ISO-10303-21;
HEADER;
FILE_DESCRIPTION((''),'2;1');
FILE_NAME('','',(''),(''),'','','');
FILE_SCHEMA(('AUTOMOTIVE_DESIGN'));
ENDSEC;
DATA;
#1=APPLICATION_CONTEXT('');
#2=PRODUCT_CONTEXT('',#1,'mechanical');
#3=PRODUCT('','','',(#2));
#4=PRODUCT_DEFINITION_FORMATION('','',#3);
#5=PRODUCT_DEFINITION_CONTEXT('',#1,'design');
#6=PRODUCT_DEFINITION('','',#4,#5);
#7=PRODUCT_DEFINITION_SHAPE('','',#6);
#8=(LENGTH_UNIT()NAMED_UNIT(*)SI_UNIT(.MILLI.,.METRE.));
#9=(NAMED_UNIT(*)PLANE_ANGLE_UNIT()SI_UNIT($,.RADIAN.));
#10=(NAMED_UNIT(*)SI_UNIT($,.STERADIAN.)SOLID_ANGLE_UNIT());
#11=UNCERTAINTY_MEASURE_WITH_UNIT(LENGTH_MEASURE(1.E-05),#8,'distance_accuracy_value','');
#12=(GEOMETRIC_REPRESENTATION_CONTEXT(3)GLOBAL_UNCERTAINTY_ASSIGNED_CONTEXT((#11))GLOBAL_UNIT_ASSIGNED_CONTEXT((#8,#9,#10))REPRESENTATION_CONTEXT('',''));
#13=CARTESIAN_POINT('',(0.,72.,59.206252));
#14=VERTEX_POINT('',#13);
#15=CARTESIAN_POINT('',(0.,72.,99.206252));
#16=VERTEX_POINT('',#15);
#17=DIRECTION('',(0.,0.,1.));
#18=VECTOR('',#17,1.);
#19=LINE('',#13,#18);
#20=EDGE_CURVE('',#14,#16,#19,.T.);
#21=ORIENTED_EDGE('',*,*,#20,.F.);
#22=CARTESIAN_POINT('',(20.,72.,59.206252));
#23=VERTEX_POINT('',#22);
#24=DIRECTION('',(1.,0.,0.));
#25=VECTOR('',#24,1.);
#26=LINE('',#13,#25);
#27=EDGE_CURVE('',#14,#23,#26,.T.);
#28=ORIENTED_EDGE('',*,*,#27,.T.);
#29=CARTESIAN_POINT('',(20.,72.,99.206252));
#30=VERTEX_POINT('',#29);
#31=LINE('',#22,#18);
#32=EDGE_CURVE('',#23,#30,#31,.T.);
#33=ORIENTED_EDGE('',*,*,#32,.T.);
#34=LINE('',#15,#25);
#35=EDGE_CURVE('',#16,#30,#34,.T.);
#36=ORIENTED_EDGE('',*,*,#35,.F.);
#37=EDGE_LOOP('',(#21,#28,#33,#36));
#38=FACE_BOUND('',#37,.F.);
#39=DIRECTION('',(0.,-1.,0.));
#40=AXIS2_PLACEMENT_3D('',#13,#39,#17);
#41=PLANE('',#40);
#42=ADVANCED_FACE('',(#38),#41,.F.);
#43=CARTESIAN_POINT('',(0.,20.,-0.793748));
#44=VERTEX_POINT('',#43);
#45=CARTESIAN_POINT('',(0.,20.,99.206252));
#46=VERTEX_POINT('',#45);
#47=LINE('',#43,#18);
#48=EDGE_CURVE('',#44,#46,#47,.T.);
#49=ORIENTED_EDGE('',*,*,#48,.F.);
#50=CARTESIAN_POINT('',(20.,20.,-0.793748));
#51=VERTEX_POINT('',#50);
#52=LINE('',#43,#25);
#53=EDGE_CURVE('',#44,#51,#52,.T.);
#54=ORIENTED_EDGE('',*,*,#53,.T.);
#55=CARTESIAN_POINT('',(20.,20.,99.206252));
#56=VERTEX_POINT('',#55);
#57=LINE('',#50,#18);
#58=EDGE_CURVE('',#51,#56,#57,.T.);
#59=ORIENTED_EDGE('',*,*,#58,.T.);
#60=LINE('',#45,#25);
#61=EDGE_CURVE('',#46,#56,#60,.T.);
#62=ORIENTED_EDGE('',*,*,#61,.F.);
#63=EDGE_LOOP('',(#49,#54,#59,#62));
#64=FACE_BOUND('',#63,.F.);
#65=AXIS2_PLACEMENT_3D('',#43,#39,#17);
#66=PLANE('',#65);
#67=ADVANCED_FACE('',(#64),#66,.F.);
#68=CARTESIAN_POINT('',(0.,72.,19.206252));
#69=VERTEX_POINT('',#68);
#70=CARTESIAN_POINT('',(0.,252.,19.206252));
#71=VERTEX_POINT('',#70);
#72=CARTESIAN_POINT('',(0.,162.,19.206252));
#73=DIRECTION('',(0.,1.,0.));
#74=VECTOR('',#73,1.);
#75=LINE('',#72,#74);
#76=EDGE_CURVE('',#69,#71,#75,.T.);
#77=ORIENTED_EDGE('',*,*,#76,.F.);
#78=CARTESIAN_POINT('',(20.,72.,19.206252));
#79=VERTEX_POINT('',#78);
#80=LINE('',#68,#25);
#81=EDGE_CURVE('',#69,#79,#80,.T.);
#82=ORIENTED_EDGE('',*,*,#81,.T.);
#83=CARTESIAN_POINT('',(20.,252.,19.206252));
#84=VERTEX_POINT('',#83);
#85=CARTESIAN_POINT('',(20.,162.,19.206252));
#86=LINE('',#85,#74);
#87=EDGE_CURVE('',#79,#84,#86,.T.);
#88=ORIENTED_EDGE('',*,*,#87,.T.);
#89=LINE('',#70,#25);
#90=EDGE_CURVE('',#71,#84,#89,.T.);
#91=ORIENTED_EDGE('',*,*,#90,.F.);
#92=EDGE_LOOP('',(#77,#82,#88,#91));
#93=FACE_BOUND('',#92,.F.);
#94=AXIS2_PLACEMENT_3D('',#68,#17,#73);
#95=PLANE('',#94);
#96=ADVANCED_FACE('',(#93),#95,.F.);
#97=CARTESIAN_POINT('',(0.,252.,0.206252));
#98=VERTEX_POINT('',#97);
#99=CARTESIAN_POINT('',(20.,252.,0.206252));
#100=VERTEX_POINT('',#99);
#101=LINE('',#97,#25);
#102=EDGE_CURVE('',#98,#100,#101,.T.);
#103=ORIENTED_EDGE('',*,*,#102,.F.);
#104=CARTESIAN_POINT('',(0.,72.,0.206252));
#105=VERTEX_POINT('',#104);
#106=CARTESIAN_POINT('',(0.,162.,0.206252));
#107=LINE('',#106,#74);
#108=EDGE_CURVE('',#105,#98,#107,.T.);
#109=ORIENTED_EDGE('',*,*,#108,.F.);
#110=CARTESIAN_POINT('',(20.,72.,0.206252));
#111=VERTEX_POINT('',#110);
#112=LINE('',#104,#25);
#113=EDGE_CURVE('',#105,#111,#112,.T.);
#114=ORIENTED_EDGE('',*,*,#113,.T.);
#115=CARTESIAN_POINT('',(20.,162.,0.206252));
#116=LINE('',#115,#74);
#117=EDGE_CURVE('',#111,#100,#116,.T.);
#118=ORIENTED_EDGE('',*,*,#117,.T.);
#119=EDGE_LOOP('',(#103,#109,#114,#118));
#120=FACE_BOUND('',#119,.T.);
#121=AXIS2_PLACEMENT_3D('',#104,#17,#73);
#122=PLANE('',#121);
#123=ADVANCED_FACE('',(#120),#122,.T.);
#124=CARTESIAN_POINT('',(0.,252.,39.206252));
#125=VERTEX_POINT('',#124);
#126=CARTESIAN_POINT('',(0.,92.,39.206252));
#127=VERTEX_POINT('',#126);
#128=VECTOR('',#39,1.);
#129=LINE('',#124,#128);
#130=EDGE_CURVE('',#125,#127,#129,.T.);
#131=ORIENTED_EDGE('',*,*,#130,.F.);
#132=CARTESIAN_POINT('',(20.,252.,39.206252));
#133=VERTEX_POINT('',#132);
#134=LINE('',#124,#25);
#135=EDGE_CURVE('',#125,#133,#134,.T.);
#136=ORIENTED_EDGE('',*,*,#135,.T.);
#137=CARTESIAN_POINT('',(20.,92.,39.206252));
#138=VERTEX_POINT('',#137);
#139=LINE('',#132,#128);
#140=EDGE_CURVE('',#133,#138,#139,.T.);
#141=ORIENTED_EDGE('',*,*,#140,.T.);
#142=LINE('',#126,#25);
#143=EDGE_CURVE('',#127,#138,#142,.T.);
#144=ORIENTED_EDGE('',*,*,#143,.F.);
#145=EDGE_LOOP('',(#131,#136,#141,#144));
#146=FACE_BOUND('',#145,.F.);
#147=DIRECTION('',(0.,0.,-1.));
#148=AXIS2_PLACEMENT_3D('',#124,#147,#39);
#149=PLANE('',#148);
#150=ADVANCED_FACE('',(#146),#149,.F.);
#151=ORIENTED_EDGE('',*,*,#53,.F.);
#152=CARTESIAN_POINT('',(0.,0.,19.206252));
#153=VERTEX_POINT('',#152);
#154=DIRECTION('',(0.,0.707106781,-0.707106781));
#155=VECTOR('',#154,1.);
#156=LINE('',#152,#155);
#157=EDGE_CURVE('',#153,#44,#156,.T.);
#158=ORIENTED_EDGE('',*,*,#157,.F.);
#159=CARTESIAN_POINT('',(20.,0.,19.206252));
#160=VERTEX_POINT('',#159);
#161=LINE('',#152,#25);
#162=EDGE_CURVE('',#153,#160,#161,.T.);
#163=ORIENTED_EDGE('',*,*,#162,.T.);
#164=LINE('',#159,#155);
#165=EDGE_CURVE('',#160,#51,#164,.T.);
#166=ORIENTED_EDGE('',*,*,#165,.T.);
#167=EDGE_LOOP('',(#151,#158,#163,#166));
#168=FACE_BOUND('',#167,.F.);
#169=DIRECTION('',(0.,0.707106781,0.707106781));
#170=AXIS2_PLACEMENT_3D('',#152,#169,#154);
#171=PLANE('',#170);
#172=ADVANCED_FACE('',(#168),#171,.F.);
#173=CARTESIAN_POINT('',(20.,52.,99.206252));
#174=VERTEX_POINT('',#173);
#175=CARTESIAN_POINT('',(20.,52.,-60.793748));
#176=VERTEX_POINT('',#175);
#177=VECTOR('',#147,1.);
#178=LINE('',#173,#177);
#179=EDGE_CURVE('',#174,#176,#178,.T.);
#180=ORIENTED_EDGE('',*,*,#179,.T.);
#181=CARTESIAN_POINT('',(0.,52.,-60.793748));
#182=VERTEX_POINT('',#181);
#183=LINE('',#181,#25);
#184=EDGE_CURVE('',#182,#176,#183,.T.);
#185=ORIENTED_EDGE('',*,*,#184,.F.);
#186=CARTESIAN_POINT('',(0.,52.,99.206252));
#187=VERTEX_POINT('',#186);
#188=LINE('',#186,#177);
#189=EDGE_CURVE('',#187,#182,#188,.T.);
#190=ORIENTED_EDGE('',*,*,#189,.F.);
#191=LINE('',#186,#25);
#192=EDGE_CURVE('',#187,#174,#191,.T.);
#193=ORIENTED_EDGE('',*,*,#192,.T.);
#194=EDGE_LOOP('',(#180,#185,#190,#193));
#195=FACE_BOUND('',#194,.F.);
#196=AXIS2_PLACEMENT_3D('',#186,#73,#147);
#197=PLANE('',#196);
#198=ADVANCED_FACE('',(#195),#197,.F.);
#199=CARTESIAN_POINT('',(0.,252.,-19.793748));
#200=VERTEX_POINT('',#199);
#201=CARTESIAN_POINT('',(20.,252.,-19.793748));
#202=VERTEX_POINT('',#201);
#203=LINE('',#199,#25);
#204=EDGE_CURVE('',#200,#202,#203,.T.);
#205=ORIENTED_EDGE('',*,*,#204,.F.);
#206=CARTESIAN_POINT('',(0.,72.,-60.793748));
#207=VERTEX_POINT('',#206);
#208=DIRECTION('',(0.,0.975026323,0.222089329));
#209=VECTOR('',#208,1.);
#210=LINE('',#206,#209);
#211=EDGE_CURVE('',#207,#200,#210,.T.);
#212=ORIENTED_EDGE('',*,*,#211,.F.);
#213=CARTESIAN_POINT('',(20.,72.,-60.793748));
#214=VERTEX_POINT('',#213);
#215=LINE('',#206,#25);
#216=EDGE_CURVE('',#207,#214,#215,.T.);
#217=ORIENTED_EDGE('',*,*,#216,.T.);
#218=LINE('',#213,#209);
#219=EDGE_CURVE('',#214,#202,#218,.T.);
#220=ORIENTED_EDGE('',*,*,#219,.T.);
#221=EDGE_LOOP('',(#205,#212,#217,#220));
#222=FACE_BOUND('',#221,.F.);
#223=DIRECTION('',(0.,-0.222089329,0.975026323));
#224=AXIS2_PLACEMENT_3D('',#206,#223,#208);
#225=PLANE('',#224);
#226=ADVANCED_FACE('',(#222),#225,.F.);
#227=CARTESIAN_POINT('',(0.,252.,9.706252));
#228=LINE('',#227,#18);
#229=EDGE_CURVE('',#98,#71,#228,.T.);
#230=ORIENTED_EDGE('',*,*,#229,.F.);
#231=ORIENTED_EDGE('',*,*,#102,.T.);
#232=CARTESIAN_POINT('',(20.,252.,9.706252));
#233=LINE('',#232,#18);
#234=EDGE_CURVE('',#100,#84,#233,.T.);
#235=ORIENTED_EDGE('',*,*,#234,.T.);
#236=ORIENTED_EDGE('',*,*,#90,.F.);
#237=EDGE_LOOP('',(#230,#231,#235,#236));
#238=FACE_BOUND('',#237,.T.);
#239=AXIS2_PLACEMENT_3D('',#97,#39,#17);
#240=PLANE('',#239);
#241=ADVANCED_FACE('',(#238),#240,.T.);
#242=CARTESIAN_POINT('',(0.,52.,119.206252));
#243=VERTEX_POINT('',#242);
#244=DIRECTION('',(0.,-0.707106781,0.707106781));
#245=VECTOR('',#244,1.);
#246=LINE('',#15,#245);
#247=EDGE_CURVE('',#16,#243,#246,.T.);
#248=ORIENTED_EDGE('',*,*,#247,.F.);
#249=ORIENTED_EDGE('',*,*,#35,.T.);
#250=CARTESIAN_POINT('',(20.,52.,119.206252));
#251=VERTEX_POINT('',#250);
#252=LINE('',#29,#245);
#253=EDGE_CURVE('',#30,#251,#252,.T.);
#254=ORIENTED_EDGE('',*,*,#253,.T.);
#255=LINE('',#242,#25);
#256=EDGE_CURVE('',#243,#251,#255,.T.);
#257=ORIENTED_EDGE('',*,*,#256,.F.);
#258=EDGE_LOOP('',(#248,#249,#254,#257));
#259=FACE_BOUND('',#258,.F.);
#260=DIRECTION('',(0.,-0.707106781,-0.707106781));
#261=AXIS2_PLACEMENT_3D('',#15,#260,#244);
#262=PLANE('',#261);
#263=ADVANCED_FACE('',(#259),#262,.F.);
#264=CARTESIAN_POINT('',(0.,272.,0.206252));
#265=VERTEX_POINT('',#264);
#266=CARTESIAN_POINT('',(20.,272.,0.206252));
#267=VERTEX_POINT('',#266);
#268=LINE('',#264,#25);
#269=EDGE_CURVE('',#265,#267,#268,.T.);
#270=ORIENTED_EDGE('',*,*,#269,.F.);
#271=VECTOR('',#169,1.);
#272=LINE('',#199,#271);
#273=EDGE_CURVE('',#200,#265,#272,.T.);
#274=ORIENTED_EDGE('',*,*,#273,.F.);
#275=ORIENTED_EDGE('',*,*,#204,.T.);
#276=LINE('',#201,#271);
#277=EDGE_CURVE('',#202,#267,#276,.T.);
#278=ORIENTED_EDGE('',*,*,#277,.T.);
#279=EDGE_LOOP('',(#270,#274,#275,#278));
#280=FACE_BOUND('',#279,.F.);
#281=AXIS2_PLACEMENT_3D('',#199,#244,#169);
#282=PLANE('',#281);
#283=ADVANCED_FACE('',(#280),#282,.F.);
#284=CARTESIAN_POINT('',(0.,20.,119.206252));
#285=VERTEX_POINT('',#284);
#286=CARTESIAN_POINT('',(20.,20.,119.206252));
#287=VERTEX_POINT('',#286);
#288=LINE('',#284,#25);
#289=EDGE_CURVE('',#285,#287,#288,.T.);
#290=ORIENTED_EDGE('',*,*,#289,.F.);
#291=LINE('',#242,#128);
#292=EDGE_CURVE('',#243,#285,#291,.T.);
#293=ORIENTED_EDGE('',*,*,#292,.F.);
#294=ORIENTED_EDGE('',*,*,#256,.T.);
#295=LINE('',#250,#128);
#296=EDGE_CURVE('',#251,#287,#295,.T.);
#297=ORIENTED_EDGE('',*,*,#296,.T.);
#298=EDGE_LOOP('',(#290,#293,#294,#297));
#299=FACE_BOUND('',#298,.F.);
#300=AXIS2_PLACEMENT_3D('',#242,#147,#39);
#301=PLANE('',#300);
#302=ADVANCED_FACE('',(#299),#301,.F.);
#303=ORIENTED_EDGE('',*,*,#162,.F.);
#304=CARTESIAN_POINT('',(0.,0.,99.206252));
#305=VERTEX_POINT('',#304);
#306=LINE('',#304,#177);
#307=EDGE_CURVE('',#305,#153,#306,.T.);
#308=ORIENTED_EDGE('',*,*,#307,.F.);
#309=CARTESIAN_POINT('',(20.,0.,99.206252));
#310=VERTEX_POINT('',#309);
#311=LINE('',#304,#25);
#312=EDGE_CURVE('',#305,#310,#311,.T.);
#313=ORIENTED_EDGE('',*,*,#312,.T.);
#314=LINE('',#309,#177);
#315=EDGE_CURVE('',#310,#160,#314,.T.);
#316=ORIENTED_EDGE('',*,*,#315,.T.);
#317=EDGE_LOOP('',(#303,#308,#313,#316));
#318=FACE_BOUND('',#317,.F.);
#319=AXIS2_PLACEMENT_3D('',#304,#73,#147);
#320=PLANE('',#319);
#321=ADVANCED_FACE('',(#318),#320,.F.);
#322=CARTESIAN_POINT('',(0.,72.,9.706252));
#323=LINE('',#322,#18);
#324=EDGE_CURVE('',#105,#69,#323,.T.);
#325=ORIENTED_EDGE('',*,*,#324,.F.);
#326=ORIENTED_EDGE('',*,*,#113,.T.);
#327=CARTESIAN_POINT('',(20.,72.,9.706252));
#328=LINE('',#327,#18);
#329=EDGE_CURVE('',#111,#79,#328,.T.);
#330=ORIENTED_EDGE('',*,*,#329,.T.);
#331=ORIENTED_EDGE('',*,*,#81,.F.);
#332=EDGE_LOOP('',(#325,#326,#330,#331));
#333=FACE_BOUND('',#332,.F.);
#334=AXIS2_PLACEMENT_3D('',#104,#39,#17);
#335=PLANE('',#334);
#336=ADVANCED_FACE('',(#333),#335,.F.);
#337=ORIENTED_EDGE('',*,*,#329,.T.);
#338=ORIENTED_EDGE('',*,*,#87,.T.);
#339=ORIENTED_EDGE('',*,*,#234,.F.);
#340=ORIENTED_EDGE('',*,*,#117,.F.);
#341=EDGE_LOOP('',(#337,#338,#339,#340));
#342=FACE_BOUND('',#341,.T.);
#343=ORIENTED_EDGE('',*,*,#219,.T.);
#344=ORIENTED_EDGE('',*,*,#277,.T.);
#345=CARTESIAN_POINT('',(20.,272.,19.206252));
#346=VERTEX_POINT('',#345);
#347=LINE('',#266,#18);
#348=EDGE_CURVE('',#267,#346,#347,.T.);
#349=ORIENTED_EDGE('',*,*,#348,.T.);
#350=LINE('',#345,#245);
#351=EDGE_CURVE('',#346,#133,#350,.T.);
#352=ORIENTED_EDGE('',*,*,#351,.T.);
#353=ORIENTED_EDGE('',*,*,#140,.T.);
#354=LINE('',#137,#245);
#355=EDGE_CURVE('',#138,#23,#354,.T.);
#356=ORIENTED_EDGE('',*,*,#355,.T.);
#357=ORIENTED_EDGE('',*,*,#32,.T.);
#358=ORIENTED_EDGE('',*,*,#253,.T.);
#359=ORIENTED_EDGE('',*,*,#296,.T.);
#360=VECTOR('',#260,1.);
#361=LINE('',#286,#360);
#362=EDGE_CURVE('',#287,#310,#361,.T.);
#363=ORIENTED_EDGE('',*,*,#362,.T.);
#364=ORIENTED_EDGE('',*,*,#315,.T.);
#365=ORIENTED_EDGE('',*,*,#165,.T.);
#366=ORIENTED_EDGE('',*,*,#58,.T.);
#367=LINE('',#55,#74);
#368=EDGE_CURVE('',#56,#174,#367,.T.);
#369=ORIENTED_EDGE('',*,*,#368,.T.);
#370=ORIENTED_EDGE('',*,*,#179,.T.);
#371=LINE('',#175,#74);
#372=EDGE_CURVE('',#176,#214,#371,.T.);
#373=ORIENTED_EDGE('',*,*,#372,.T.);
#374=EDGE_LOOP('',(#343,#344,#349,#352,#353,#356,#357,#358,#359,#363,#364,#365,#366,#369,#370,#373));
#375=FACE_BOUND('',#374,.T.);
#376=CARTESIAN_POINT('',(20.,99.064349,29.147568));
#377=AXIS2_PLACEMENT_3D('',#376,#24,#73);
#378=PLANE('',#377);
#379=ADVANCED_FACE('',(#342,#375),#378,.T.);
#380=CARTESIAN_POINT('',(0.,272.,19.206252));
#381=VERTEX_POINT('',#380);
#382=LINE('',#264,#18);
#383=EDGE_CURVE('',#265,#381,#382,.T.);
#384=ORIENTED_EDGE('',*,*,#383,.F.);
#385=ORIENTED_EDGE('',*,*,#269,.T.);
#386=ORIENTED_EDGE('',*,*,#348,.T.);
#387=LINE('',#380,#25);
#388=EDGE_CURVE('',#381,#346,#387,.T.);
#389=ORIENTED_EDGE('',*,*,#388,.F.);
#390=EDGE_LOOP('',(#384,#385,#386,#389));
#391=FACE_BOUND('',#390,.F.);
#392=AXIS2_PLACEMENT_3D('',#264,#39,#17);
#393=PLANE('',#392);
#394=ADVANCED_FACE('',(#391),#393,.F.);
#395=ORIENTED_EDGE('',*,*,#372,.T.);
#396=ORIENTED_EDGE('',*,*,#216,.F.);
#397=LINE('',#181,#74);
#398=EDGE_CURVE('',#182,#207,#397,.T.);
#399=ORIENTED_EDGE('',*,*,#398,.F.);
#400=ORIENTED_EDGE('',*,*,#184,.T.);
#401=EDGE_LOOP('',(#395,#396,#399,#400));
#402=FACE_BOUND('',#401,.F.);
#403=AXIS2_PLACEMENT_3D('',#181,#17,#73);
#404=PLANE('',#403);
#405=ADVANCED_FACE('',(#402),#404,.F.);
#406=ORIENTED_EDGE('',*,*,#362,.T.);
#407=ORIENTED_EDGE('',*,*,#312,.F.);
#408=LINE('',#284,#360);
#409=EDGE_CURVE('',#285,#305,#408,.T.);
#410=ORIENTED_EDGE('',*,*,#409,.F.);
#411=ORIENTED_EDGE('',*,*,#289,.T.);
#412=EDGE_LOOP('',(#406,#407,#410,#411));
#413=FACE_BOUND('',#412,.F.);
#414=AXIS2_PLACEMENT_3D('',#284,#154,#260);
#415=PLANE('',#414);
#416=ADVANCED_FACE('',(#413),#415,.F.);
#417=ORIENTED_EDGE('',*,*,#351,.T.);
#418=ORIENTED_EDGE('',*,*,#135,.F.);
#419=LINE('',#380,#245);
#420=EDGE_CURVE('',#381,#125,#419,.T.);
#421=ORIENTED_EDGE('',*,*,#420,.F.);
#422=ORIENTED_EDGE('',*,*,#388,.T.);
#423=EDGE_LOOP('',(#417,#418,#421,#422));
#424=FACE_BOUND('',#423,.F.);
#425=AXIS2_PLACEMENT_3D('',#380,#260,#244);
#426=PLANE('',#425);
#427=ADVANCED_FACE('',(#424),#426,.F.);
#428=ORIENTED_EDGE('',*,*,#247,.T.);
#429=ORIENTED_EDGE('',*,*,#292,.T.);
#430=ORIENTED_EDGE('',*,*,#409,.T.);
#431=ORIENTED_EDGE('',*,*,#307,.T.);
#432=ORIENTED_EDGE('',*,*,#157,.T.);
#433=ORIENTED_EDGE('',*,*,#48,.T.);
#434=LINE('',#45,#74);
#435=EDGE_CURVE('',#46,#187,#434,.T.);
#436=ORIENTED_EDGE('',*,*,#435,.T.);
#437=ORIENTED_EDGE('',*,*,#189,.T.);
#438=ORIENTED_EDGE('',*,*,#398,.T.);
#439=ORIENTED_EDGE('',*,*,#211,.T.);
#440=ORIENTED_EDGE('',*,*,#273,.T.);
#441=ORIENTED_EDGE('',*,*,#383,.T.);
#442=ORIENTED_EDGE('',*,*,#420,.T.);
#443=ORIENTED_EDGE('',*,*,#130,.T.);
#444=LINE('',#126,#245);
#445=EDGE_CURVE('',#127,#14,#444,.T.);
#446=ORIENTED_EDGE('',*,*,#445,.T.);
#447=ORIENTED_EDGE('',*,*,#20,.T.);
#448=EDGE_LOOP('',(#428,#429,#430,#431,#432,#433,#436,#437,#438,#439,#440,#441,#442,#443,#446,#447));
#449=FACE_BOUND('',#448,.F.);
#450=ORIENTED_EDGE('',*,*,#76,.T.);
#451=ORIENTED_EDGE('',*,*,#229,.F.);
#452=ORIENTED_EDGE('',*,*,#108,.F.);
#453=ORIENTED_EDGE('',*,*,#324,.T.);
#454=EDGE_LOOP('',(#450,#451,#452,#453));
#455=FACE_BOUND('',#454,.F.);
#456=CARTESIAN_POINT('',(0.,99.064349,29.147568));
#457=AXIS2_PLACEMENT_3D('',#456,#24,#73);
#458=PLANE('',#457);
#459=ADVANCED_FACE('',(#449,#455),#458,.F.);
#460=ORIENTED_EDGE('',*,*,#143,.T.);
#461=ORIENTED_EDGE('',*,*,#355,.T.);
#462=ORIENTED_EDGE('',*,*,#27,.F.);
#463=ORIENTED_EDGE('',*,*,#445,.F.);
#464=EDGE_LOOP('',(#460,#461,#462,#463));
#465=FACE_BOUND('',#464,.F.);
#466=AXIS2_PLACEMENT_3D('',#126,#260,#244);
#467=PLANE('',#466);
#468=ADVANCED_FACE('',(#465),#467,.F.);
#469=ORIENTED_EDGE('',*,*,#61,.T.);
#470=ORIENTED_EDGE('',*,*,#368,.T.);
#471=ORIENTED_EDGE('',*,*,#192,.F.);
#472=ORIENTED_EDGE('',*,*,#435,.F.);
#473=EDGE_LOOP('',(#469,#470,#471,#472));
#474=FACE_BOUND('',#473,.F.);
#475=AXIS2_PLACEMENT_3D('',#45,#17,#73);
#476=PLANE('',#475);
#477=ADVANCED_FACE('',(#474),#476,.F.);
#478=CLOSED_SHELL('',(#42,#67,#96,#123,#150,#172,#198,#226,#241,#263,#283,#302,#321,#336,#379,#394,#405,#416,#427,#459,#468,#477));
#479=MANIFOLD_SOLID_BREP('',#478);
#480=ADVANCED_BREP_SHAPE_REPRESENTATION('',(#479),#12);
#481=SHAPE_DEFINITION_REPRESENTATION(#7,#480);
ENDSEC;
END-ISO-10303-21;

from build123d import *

# Parameters (mm, degrees)
F0_W     = 180
F0_H     = 19
F1_DEPTH = 20


with BuildPart() as f1:
    # F0 (on Right) → F1 (new body)
    with BuildSketch(Plane.YZ):
        Polygon((52, 99.206252), (52, -60.793748), (72, -60.793748), (252, -19.793748), (272, 0.206252), (272, 19.206252), (252, 39.206252), (92, 39.206252), (72, 59.206252), (72, 99.206252), (52, 119.206252), (20, 119.206252), (0, 99.206252), (0, 19.206252), (20, -0.793748), (20, 99.206252), align=None)
        with Locations((162, 9.706252)):
            Rectangle(F0_W, F0_H, mode=Mode.SUBTRACT)
    extrude(amount=F1_DEPTH)


solid = f1.part
